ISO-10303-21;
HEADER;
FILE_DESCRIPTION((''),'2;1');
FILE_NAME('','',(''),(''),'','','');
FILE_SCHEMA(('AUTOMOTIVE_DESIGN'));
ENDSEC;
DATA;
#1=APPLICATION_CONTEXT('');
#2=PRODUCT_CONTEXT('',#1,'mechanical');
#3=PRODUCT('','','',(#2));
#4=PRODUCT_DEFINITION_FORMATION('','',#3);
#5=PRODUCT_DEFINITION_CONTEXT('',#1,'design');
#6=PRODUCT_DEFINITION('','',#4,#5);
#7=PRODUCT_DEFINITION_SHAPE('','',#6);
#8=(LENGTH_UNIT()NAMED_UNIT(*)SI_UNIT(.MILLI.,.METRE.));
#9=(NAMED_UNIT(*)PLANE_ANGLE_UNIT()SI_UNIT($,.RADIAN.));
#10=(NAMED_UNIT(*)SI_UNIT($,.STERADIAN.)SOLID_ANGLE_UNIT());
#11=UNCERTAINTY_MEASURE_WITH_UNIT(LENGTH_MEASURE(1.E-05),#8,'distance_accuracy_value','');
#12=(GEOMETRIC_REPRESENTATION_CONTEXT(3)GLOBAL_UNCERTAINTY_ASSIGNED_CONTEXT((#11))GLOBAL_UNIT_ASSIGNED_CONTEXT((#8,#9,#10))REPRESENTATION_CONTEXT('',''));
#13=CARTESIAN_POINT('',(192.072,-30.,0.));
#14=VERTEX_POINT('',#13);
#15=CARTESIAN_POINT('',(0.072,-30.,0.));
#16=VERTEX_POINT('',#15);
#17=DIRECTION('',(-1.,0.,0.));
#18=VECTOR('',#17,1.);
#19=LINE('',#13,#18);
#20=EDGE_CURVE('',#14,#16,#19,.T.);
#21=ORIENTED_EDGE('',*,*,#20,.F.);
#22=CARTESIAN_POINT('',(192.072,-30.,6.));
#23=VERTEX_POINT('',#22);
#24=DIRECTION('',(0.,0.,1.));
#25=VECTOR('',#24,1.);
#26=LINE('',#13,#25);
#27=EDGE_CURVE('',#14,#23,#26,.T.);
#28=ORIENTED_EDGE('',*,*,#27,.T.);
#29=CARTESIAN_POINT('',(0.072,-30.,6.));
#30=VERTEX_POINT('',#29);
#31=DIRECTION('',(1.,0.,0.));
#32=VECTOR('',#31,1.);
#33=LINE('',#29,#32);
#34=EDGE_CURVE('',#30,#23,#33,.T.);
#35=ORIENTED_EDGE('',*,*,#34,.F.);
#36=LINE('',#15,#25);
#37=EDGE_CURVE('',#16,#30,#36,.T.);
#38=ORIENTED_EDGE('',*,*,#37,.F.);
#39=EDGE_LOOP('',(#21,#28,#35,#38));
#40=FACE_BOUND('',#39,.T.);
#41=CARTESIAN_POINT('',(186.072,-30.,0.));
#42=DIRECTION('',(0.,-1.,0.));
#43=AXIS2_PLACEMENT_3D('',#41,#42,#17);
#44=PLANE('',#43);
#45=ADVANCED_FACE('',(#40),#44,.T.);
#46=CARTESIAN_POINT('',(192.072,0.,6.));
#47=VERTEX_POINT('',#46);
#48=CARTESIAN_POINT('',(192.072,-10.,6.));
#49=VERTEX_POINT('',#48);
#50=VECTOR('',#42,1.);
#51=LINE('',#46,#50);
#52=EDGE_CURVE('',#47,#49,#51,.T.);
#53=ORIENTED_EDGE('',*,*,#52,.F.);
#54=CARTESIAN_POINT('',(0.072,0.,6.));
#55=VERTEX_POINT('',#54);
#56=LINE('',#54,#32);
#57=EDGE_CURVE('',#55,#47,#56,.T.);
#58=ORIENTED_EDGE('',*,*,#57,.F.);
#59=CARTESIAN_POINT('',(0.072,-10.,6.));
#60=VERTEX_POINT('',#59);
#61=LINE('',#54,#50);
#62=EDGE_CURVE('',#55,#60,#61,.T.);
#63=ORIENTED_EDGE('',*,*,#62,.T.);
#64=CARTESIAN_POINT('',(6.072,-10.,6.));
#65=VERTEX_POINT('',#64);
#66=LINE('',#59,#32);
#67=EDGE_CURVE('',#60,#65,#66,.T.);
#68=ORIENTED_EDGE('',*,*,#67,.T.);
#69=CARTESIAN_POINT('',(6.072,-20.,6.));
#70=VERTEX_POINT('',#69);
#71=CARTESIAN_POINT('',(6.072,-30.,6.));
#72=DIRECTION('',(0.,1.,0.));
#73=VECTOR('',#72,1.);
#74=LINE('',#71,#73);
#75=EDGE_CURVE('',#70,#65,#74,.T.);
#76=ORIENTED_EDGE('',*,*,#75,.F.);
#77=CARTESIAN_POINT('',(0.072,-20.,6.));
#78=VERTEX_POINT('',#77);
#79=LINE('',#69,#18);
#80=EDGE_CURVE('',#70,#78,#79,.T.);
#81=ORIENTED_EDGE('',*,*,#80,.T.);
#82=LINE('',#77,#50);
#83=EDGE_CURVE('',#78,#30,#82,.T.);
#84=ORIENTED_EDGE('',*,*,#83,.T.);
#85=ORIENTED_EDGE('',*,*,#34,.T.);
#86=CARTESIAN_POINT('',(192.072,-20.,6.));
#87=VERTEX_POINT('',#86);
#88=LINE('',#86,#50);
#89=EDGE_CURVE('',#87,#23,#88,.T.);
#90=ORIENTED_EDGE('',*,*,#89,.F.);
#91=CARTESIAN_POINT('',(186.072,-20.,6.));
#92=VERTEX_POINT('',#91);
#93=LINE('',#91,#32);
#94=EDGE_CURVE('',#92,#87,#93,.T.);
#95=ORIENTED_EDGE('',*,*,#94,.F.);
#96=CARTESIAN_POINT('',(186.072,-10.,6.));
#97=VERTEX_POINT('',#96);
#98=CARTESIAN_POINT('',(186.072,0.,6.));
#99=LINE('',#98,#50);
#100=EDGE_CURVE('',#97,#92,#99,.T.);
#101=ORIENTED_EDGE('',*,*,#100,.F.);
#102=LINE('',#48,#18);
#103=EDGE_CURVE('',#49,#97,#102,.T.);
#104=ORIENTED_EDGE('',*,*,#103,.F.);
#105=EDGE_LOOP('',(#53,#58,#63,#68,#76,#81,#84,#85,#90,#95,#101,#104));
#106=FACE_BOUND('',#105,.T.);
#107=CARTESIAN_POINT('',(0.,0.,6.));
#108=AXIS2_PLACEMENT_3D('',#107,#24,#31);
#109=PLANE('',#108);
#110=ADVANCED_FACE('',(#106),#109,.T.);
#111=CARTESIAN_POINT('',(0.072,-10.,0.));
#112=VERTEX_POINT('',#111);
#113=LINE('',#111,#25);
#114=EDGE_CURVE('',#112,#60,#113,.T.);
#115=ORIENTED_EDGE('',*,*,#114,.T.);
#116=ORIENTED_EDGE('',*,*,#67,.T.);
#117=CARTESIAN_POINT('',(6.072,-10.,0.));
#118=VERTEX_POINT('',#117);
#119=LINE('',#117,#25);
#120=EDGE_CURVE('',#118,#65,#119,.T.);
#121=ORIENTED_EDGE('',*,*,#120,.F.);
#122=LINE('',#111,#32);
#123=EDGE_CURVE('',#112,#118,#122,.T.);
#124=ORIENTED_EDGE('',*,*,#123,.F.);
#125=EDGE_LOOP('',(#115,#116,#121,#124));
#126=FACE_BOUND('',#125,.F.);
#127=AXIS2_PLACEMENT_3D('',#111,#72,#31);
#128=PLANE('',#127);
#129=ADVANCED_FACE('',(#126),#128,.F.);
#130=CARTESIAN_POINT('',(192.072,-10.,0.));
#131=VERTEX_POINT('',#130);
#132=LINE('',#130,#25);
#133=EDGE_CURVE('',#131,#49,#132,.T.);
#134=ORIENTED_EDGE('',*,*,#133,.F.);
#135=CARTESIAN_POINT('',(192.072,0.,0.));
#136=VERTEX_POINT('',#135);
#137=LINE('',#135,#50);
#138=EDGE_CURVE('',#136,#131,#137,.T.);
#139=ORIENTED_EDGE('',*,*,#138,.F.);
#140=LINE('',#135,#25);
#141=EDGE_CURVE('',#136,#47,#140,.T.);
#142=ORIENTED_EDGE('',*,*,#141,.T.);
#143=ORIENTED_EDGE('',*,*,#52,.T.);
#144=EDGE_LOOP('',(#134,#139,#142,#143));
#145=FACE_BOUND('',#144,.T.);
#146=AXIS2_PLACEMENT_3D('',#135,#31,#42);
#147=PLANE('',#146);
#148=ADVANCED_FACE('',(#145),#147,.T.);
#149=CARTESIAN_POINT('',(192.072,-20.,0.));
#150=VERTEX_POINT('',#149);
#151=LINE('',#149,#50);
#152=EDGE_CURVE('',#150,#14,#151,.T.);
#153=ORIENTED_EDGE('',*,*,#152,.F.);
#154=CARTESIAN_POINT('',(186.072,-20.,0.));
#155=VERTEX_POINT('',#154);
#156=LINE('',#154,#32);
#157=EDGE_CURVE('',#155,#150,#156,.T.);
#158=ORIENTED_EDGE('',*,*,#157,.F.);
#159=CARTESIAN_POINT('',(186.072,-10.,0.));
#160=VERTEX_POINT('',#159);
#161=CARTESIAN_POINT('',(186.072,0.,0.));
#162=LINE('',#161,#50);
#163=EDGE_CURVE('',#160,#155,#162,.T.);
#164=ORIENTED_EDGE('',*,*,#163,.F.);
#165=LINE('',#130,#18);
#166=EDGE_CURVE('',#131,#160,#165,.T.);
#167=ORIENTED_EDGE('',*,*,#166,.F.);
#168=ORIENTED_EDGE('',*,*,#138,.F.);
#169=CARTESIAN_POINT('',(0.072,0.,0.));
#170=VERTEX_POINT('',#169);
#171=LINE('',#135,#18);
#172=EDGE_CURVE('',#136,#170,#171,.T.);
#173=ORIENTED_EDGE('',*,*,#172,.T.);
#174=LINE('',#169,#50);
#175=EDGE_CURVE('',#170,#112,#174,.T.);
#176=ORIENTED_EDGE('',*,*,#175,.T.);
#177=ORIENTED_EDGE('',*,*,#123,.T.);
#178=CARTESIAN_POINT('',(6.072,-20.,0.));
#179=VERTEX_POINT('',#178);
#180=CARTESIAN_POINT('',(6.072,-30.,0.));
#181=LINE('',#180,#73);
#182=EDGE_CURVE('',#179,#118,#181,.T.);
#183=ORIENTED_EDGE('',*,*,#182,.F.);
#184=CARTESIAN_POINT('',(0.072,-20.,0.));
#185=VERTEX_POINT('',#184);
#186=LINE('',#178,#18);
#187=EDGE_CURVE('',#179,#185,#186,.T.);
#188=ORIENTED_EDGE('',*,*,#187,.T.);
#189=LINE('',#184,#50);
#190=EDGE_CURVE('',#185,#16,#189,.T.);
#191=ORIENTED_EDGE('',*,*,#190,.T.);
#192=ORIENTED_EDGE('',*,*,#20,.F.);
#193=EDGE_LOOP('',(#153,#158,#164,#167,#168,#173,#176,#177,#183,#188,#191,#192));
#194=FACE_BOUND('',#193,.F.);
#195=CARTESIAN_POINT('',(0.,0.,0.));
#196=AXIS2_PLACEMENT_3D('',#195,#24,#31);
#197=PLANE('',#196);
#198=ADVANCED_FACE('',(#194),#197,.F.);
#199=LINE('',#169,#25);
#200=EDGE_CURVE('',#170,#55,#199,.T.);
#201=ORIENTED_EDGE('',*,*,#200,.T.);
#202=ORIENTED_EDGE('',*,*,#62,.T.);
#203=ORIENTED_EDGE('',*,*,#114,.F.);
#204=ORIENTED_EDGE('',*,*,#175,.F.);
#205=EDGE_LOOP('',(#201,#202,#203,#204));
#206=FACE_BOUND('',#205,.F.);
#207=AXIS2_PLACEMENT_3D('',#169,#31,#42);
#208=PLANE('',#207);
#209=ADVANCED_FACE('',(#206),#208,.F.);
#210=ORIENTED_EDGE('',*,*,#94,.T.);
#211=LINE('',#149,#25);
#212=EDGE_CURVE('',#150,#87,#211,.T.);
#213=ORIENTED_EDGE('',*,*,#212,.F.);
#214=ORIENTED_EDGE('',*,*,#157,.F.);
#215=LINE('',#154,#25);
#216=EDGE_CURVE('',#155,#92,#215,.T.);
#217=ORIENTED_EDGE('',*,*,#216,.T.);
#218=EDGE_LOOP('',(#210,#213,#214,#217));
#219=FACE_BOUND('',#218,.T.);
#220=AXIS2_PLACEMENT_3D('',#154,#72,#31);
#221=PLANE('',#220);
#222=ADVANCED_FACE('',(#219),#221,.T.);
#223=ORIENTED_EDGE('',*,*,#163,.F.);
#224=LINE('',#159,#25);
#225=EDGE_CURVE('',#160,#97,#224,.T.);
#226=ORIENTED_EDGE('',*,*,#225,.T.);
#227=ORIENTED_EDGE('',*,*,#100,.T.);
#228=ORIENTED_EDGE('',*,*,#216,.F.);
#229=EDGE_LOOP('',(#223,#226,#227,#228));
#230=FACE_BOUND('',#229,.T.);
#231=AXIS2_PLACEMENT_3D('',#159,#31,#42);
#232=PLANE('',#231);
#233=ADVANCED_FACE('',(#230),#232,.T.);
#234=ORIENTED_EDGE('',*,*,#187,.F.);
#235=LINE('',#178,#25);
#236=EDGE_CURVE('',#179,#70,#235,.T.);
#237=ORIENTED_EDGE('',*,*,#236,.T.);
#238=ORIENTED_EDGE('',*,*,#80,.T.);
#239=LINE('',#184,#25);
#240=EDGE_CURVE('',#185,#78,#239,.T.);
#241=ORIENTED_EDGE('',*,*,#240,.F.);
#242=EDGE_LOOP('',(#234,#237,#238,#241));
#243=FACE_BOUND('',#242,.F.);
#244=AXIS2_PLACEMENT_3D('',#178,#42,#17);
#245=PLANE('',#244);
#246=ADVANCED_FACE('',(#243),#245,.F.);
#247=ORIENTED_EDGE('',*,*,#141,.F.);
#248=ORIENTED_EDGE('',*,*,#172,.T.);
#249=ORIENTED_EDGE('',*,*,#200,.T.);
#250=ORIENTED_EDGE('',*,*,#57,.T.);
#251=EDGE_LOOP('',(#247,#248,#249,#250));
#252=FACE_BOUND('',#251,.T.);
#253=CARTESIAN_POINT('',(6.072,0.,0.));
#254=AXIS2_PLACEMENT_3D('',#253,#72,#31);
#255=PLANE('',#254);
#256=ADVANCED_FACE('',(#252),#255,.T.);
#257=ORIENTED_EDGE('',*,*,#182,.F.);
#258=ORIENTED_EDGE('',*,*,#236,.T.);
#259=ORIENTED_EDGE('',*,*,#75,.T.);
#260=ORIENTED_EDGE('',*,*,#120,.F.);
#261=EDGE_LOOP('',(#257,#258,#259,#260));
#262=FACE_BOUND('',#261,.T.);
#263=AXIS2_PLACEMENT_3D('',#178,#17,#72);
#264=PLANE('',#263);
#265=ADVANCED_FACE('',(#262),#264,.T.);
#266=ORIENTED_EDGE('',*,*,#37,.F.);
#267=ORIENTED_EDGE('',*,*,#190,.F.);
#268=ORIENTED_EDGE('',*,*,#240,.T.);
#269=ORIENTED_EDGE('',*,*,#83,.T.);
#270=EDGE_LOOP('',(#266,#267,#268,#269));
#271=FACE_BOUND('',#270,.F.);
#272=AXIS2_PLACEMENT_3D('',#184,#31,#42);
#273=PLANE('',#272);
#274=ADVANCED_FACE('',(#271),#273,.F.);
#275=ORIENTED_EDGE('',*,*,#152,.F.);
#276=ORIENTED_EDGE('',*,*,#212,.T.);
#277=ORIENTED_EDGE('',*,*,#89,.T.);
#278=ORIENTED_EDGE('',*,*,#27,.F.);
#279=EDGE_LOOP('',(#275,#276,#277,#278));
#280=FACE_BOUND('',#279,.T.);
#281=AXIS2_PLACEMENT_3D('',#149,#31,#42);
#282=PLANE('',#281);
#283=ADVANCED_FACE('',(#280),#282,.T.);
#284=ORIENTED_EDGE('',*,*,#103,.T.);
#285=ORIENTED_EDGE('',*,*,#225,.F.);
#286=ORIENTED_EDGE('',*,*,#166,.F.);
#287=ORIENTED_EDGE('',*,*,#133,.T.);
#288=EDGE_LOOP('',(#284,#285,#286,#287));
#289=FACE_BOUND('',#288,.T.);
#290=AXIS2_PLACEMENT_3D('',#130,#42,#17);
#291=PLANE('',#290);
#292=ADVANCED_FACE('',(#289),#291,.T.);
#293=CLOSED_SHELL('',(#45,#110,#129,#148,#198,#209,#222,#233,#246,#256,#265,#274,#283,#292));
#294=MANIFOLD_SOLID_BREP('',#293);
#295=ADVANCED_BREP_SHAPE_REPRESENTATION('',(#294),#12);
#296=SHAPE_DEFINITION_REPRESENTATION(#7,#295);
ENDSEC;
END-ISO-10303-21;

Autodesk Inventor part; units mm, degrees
ref_plane "YZ Plane" through (0, 0, 0) normal (1, 0, 0) x (0, 1, 0)
ref_plane "XZ Plane" through (0, 0, 0) normal (0, 1, 0) x (-1, 0, 0)
ref_plane "XY Plane" through (0, 0, 0) normal (0, 0, 1) x (1, 0, 0)
sketch "Эскиз1" plane through (0, 0, 0) normal (0, 0, 1) x (1, 0, 0)
  line L0 (6.072, 0) -> (186.072, 0)
  line L1 (186.072, 0) -> (186.072, -30)
  line L2 (186.072, -30) -> (6.072, -30)
  line L3 (6.072, -30) -> (6.072, 0)
  line L4 (6.072, 0) -> (0.072, 0)
  line L5 (0.072, 0) -> (0.072, -10)
  line L6 (0.072, -10) -> (6.072, -10)
  line L7 (6.072, -10) -> (6.072, 0)
  line L8 (6.072, -20) -> (0.072, -20)
  line L9 (0.072, -20) -> (0.072, -30)
  line L10 (0.072, -30) -> (6.072, -30)
  line L11 (6.072, -30) -> (6.072, -20)
  line L12 (186.072, 0) -> (192.072, 0)
  line L13 (192.072, 0) -> (192.072, -10)
  line L14 (192.072, -10) -> (186.072, -10)
  line L15 (186.072, -10) -> (186.072, 0)
  line L16 (186.072, -30) -> (186.072, -20)
  line L17 (186.072, -20) -> (192.072, -20)
  line L18 (192.072, -20) -> (192.072, -30)
  line L19 (192.072, -30) -> (186.072, -30)
  point P0 (0, 0)
  dimension "d0" = 180
  dimension "d1" = 30
  dimension "d2" = 6
  dimension "d3" = 10
  dimension "d6" = 20
  dimension "d11" = 6
  dimension "d12" = 10
  dimension "d15" = 20
extrude "Выдавливание1" add sketch "Эскиз1" along normal blind 6
properties part number "задняя"
